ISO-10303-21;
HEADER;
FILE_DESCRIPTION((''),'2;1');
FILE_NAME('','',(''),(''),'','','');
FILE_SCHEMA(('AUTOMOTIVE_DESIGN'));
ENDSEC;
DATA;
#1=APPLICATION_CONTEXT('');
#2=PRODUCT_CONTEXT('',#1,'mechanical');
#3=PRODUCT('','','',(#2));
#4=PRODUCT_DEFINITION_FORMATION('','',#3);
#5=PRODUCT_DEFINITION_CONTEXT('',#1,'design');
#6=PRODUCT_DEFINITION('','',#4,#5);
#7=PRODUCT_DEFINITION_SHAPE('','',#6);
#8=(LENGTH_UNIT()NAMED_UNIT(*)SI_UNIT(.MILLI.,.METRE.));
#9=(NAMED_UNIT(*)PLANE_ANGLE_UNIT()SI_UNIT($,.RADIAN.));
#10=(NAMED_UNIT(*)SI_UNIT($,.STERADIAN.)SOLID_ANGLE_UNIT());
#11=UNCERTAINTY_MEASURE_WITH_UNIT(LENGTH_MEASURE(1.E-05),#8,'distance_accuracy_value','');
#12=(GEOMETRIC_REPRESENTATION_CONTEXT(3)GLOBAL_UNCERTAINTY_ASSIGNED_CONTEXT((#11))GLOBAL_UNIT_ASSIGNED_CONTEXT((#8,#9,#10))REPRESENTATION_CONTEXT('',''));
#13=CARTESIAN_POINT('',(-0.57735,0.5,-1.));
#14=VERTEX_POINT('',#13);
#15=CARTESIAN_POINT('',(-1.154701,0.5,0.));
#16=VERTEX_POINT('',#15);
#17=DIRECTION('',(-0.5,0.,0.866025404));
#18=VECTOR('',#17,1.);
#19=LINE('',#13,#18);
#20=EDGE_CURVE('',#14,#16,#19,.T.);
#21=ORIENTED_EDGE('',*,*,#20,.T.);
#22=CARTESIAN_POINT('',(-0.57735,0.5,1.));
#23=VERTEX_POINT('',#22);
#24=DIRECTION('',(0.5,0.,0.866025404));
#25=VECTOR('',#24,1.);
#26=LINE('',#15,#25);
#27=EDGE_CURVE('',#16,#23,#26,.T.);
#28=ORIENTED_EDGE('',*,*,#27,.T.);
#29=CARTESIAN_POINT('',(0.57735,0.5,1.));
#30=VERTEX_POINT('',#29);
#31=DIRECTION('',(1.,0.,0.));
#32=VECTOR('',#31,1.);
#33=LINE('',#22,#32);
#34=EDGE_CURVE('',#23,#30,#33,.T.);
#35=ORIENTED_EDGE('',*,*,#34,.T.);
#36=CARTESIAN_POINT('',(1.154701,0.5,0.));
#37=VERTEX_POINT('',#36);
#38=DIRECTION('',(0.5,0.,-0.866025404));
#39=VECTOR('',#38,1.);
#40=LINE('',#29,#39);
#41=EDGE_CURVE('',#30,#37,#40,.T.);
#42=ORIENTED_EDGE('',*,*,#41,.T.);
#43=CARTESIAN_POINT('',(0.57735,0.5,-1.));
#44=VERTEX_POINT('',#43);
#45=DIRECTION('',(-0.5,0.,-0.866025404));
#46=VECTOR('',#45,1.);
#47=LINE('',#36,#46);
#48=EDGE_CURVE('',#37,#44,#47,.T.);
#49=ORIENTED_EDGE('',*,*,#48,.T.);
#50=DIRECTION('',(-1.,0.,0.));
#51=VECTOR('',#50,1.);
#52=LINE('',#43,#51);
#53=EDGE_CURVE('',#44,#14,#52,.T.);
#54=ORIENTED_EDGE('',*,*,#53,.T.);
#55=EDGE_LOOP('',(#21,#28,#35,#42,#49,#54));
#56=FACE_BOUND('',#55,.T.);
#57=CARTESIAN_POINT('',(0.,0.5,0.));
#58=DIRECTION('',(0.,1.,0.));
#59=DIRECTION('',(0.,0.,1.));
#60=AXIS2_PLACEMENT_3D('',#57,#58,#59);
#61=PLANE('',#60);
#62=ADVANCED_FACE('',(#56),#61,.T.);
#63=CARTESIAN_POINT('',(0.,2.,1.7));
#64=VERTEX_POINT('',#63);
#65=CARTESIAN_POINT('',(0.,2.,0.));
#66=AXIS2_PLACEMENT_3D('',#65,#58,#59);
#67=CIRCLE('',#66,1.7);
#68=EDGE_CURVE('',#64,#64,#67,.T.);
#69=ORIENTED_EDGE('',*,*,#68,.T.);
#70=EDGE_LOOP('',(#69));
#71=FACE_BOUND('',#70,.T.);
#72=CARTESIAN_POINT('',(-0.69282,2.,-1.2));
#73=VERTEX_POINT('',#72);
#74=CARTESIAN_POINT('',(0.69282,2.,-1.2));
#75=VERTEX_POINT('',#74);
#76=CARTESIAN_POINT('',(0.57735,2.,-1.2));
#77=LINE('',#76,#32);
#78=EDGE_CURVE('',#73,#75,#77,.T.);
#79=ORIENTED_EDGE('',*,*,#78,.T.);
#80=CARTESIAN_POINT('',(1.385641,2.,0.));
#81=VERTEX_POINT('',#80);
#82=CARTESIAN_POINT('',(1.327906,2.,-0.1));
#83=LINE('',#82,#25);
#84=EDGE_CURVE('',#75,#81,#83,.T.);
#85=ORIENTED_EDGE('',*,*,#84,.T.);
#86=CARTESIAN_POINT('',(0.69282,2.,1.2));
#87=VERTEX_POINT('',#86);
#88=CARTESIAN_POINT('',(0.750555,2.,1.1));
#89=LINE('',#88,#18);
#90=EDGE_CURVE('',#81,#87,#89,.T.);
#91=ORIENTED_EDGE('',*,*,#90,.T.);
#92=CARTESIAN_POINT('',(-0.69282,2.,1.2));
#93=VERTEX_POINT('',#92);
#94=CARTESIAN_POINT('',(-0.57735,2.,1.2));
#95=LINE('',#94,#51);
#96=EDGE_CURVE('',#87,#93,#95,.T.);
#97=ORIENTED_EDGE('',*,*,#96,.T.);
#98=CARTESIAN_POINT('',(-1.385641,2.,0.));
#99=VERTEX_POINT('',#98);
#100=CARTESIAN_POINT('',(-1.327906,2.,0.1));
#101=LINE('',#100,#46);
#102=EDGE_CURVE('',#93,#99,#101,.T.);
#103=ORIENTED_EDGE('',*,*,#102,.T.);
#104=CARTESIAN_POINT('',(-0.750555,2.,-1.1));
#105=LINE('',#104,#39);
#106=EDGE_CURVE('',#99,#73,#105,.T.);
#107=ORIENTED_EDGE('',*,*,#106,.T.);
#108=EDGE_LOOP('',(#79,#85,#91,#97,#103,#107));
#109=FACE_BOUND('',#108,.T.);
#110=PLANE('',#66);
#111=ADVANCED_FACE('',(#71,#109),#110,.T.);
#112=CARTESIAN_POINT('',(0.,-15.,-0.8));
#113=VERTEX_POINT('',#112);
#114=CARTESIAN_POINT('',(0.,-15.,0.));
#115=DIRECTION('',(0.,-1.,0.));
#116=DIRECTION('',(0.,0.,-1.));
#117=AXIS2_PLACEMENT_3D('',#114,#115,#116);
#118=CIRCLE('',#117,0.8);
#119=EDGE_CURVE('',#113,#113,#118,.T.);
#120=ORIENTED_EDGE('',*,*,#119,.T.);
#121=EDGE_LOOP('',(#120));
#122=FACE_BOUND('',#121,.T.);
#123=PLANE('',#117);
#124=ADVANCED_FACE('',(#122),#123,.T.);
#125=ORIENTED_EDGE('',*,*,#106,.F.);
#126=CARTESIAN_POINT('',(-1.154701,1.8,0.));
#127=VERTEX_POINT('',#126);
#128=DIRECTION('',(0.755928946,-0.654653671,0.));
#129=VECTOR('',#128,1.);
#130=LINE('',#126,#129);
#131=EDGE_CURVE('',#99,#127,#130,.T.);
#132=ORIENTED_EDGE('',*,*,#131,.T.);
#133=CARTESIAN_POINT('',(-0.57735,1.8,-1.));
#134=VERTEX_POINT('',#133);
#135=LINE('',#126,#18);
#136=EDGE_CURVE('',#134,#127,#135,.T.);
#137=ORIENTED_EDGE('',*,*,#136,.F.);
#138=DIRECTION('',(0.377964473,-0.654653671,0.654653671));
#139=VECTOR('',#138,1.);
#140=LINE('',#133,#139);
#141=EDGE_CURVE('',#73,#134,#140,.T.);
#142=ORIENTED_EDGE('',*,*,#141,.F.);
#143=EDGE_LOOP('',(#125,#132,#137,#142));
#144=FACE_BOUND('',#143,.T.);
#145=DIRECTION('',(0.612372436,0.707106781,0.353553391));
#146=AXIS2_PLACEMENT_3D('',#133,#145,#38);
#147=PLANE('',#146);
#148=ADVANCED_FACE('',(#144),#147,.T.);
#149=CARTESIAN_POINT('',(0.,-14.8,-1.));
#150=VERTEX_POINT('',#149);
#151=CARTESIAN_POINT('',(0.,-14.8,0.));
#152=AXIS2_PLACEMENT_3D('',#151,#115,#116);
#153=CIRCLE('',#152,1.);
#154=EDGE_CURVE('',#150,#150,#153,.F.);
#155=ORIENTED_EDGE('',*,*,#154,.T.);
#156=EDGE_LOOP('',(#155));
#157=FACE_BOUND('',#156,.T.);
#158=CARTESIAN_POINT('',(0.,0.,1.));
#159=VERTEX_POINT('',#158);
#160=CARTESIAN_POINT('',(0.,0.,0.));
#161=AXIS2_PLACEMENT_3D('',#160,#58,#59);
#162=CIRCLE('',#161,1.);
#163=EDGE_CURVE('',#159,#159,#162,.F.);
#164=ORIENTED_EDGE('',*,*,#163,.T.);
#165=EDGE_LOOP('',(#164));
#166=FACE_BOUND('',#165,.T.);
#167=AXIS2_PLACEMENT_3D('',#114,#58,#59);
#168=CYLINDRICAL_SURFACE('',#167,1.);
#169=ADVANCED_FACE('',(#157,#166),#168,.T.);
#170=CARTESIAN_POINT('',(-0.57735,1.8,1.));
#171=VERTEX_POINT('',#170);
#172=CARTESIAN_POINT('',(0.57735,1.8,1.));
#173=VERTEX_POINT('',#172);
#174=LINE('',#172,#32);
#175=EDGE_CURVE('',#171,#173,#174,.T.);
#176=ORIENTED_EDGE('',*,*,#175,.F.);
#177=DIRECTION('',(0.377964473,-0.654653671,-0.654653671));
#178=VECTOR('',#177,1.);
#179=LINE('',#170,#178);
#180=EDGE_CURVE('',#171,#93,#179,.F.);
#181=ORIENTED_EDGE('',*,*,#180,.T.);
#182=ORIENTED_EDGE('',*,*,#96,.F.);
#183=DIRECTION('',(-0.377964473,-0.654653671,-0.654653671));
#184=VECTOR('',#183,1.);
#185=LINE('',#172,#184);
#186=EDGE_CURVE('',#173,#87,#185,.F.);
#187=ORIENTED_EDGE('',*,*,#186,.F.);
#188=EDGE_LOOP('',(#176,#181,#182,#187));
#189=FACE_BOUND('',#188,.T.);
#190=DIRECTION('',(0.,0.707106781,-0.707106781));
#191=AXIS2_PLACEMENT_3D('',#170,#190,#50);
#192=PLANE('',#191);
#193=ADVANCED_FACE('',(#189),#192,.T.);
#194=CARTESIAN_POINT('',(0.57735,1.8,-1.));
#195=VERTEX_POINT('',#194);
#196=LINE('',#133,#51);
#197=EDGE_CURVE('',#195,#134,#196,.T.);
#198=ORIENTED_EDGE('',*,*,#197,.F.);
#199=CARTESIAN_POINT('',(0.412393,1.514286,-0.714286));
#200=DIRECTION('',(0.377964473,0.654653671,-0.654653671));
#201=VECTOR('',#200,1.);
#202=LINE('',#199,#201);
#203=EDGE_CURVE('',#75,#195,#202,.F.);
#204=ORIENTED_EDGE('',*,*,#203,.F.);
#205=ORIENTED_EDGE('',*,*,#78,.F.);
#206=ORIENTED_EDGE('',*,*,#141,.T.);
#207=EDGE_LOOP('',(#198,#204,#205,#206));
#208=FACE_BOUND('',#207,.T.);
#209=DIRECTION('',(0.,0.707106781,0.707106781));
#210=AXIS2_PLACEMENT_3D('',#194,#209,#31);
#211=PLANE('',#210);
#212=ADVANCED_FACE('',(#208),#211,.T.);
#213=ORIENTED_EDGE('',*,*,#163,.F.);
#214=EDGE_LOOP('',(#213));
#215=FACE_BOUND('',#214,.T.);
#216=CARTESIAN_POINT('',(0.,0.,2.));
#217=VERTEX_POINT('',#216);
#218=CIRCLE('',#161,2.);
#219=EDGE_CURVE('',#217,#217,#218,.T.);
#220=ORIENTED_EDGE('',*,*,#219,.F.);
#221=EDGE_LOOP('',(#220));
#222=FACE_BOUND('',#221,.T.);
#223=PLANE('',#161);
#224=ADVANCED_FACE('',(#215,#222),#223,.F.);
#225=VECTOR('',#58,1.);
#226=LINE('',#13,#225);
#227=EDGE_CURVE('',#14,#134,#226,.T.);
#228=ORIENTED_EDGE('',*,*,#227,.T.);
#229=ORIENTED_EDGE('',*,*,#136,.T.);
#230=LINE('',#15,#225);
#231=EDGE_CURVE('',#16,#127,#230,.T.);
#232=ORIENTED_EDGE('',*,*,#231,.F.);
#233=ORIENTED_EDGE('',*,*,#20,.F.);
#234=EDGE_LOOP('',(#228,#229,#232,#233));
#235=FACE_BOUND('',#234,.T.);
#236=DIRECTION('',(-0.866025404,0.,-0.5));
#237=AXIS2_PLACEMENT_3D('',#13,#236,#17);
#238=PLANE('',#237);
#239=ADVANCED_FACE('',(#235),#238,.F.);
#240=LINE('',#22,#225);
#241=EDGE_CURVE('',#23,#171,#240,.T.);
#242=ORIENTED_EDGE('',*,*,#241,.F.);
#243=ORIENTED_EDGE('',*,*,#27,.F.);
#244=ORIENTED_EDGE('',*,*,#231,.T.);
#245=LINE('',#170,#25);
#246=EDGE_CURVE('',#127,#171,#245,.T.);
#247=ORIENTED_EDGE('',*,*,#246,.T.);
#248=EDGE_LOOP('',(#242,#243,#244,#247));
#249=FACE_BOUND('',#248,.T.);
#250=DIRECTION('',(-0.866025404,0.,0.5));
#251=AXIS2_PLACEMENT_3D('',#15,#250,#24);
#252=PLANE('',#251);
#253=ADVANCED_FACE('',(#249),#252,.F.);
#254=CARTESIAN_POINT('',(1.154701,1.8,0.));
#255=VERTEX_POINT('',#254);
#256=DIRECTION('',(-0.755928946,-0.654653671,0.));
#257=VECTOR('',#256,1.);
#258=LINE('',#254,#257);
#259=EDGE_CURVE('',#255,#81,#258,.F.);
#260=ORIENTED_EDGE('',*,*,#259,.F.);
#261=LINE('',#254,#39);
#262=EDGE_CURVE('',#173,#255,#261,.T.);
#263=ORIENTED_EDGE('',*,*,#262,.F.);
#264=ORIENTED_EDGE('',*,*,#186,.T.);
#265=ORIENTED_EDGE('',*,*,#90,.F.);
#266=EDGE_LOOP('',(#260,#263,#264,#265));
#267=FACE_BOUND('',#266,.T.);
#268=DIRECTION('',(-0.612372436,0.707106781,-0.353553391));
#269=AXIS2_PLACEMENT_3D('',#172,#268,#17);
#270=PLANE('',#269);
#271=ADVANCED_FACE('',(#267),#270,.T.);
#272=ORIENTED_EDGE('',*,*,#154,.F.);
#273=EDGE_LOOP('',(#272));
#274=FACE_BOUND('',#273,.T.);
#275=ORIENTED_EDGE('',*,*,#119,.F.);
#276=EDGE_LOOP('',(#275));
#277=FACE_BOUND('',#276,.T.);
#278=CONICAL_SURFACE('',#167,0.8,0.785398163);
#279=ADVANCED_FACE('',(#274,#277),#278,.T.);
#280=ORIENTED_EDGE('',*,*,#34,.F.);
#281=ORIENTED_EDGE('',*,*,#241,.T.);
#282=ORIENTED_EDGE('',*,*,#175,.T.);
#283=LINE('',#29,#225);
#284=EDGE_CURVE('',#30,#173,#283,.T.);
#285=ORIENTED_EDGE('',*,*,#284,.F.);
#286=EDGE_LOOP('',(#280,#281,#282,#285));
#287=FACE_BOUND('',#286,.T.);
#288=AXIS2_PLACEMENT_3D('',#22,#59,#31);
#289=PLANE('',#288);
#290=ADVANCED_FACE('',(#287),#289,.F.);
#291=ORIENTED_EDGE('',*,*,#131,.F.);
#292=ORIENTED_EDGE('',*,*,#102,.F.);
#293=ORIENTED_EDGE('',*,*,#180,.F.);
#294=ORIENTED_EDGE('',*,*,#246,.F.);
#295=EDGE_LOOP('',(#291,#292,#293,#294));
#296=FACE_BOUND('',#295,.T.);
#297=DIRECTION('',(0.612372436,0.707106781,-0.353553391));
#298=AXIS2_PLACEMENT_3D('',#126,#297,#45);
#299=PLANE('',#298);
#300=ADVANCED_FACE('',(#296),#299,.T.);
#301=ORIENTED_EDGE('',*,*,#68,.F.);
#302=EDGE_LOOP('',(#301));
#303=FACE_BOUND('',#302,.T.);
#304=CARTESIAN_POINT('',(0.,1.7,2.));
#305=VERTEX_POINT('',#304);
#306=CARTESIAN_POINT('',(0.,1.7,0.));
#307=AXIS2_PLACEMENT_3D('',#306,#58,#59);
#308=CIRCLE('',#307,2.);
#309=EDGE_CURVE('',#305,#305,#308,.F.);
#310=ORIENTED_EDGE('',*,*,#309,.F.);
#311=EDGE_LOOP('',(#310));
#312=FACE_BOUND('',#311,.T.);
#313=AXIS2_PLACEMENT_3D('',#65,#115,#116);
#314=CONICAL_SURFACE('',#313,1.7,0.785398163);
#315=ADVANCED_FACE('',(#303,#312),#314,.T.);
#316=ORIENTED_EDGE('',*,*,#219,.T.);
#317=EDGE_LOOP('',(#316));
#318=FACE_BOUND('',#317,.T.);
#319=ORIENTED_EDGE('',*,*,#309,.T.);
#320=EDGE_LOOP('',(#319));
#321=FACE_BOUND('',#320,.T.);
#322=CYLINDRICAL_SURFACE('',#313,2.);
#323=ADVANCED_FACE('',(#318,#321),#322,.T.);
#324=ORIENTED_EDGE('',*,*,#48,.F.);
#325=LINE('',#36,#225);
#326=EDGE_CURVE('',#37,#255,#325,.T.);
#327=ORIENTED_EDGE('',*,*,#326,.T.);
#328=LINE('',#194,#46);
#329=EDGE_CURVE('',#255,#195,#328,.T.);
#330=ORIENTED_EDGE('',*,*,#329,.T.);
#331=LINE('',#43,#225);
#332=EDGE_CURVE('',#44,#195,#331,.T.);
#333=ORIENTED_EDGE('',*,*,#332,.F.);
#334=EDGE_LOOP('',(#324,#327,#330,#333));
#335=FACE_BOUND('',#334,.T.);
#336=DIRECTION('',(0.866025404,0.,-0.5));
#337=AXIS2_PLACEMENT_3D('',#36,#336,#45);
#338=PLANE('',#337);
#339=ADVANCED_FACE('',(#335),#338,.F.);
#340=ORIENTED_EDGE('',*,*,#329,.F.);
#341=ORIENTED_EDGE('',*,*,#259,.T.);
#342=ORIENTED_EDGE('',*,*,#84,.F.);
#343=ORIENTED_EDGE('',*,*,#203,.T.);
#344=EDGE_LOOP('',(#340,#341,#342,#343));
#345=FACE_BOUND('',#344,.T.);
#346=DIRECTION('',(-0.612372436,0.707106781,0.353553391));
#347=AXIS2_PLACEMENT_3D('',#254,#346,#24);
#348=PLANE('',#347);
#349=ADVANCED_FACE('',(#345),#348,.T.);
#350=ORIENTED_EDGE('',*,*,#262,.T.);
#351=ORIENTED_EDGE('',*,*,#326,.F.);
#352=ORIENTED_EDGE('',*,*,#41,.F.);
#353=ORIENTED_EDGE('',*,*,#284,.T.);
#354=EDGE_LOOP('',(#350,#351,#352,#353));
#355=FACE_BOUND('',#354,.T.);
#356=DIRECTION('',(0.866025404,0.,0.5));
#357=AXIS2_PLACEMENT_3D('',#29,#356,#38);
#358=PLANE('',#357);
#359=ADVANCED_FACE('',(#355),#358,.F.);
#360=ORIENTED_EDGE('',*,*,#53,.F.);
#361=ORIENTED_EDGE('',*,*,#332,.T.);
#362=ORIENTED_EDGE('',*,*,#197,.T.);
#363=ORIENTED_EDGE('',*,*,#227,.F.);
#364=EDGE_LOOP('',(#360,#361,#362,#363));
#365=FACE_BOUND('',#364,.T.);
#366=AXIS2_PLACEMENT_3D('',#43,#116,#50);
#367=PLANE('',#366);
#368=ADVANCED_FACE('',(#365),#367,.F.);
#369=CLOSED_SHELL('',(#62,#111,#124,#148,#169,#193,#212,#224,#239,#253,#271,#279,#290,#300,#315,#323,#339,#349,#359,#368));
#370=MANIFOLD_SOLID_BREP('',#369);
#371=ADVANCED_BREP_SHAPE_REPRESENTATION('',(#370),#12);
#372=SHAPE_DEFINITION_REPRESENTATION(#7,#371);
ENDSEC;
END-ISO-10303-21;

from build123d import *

# Parameters (mm, degrees)
SKETCH1_R           = 2
BOSS_EXTRUDE1_DEPTH = 2
CHAMFER1_SIZE       = 0.3
CUT_EXTRUDE1_DEPTH  = 1.5
CHAMFER2_SIZE       = 0.2
SKETCH3_R           = 1
BOSS_EXTRUDE2_DEPTH = 15
CHAMFER3_SIZE       = 0.2


with BuildPart() as part:
    # Sketch1 → Boss-Extrude1 (new body)
    with BuildSketch(Plane(origin=(0, 0, 0), x_dir=(1, 0, 0), z_dir=(0, 1, 0))):
        with Locations(Location((0, 0, 0), (0, 0, 270))):  # turned: the seam where the file's is
            Circle(SKETCH1_R)
    extrude(amount=BOSS_EXTRUDE1_DEPTH)

    # Chamfer1
    chamfer1_edges = [part.edges().sort_by_distance(p)[0] for p in [
        (0, 2, -2),
    ]]
    chamfer(chamfer1_edges, length=CHAMFER1_SIZE)

    # Sketch2 → Cut-Extrude1 (cut)
    with BuildSketch(Plane(origin=(0, 2, 0), x_dir=(1, 0, 0), z_dir=(0, 1, 0))):
        Polygon((1.154700538, 0), (0.577350269, 1), (-0.577350269, 1), (-1.154700538, 0), (-0.577350269, -1), (0.577350269, -1), align=None)
    extrude(amount=-CUT_EXTRUDE1_DEPTH, mode=Mode.SUBTRACT)

    # Chamfer2
    chamfer2_edges = [part.edges().sort_by_distance(p)[0] for p in [
        (0.866025404, 2, 0.5),
        (0.866025404, 2, -0.5),
        (0, 2, -1),
        (-0.866025404, 2, -0.5),
        (-0.866025404, 2, 0.5),
        (0, 2, 1),
    ]]
    chamfer(chamfer2_edges, length=CHAMFER2_SIZE)

    # Sketch3 → Boss-Extrude2 (add)
    with BuildSketch(Plane.XZ):
        with Locations(Location((0, 0, 0), (0, 0, 90))):  # turned: the seam where the file's is
            Circle(SKETCH3_R)
    extrude(amount=BOSS_EXTRUDE2_DEPTH)

    # Chamfer3
    chamfer3_edges = [part.edges().sort_by_distance(p)[0] for p in [
        (0, -15, -1),
    ]]
    chamfer(chamfer3_edges, length=CHAMFER3_SIZE)


solid = part.part
